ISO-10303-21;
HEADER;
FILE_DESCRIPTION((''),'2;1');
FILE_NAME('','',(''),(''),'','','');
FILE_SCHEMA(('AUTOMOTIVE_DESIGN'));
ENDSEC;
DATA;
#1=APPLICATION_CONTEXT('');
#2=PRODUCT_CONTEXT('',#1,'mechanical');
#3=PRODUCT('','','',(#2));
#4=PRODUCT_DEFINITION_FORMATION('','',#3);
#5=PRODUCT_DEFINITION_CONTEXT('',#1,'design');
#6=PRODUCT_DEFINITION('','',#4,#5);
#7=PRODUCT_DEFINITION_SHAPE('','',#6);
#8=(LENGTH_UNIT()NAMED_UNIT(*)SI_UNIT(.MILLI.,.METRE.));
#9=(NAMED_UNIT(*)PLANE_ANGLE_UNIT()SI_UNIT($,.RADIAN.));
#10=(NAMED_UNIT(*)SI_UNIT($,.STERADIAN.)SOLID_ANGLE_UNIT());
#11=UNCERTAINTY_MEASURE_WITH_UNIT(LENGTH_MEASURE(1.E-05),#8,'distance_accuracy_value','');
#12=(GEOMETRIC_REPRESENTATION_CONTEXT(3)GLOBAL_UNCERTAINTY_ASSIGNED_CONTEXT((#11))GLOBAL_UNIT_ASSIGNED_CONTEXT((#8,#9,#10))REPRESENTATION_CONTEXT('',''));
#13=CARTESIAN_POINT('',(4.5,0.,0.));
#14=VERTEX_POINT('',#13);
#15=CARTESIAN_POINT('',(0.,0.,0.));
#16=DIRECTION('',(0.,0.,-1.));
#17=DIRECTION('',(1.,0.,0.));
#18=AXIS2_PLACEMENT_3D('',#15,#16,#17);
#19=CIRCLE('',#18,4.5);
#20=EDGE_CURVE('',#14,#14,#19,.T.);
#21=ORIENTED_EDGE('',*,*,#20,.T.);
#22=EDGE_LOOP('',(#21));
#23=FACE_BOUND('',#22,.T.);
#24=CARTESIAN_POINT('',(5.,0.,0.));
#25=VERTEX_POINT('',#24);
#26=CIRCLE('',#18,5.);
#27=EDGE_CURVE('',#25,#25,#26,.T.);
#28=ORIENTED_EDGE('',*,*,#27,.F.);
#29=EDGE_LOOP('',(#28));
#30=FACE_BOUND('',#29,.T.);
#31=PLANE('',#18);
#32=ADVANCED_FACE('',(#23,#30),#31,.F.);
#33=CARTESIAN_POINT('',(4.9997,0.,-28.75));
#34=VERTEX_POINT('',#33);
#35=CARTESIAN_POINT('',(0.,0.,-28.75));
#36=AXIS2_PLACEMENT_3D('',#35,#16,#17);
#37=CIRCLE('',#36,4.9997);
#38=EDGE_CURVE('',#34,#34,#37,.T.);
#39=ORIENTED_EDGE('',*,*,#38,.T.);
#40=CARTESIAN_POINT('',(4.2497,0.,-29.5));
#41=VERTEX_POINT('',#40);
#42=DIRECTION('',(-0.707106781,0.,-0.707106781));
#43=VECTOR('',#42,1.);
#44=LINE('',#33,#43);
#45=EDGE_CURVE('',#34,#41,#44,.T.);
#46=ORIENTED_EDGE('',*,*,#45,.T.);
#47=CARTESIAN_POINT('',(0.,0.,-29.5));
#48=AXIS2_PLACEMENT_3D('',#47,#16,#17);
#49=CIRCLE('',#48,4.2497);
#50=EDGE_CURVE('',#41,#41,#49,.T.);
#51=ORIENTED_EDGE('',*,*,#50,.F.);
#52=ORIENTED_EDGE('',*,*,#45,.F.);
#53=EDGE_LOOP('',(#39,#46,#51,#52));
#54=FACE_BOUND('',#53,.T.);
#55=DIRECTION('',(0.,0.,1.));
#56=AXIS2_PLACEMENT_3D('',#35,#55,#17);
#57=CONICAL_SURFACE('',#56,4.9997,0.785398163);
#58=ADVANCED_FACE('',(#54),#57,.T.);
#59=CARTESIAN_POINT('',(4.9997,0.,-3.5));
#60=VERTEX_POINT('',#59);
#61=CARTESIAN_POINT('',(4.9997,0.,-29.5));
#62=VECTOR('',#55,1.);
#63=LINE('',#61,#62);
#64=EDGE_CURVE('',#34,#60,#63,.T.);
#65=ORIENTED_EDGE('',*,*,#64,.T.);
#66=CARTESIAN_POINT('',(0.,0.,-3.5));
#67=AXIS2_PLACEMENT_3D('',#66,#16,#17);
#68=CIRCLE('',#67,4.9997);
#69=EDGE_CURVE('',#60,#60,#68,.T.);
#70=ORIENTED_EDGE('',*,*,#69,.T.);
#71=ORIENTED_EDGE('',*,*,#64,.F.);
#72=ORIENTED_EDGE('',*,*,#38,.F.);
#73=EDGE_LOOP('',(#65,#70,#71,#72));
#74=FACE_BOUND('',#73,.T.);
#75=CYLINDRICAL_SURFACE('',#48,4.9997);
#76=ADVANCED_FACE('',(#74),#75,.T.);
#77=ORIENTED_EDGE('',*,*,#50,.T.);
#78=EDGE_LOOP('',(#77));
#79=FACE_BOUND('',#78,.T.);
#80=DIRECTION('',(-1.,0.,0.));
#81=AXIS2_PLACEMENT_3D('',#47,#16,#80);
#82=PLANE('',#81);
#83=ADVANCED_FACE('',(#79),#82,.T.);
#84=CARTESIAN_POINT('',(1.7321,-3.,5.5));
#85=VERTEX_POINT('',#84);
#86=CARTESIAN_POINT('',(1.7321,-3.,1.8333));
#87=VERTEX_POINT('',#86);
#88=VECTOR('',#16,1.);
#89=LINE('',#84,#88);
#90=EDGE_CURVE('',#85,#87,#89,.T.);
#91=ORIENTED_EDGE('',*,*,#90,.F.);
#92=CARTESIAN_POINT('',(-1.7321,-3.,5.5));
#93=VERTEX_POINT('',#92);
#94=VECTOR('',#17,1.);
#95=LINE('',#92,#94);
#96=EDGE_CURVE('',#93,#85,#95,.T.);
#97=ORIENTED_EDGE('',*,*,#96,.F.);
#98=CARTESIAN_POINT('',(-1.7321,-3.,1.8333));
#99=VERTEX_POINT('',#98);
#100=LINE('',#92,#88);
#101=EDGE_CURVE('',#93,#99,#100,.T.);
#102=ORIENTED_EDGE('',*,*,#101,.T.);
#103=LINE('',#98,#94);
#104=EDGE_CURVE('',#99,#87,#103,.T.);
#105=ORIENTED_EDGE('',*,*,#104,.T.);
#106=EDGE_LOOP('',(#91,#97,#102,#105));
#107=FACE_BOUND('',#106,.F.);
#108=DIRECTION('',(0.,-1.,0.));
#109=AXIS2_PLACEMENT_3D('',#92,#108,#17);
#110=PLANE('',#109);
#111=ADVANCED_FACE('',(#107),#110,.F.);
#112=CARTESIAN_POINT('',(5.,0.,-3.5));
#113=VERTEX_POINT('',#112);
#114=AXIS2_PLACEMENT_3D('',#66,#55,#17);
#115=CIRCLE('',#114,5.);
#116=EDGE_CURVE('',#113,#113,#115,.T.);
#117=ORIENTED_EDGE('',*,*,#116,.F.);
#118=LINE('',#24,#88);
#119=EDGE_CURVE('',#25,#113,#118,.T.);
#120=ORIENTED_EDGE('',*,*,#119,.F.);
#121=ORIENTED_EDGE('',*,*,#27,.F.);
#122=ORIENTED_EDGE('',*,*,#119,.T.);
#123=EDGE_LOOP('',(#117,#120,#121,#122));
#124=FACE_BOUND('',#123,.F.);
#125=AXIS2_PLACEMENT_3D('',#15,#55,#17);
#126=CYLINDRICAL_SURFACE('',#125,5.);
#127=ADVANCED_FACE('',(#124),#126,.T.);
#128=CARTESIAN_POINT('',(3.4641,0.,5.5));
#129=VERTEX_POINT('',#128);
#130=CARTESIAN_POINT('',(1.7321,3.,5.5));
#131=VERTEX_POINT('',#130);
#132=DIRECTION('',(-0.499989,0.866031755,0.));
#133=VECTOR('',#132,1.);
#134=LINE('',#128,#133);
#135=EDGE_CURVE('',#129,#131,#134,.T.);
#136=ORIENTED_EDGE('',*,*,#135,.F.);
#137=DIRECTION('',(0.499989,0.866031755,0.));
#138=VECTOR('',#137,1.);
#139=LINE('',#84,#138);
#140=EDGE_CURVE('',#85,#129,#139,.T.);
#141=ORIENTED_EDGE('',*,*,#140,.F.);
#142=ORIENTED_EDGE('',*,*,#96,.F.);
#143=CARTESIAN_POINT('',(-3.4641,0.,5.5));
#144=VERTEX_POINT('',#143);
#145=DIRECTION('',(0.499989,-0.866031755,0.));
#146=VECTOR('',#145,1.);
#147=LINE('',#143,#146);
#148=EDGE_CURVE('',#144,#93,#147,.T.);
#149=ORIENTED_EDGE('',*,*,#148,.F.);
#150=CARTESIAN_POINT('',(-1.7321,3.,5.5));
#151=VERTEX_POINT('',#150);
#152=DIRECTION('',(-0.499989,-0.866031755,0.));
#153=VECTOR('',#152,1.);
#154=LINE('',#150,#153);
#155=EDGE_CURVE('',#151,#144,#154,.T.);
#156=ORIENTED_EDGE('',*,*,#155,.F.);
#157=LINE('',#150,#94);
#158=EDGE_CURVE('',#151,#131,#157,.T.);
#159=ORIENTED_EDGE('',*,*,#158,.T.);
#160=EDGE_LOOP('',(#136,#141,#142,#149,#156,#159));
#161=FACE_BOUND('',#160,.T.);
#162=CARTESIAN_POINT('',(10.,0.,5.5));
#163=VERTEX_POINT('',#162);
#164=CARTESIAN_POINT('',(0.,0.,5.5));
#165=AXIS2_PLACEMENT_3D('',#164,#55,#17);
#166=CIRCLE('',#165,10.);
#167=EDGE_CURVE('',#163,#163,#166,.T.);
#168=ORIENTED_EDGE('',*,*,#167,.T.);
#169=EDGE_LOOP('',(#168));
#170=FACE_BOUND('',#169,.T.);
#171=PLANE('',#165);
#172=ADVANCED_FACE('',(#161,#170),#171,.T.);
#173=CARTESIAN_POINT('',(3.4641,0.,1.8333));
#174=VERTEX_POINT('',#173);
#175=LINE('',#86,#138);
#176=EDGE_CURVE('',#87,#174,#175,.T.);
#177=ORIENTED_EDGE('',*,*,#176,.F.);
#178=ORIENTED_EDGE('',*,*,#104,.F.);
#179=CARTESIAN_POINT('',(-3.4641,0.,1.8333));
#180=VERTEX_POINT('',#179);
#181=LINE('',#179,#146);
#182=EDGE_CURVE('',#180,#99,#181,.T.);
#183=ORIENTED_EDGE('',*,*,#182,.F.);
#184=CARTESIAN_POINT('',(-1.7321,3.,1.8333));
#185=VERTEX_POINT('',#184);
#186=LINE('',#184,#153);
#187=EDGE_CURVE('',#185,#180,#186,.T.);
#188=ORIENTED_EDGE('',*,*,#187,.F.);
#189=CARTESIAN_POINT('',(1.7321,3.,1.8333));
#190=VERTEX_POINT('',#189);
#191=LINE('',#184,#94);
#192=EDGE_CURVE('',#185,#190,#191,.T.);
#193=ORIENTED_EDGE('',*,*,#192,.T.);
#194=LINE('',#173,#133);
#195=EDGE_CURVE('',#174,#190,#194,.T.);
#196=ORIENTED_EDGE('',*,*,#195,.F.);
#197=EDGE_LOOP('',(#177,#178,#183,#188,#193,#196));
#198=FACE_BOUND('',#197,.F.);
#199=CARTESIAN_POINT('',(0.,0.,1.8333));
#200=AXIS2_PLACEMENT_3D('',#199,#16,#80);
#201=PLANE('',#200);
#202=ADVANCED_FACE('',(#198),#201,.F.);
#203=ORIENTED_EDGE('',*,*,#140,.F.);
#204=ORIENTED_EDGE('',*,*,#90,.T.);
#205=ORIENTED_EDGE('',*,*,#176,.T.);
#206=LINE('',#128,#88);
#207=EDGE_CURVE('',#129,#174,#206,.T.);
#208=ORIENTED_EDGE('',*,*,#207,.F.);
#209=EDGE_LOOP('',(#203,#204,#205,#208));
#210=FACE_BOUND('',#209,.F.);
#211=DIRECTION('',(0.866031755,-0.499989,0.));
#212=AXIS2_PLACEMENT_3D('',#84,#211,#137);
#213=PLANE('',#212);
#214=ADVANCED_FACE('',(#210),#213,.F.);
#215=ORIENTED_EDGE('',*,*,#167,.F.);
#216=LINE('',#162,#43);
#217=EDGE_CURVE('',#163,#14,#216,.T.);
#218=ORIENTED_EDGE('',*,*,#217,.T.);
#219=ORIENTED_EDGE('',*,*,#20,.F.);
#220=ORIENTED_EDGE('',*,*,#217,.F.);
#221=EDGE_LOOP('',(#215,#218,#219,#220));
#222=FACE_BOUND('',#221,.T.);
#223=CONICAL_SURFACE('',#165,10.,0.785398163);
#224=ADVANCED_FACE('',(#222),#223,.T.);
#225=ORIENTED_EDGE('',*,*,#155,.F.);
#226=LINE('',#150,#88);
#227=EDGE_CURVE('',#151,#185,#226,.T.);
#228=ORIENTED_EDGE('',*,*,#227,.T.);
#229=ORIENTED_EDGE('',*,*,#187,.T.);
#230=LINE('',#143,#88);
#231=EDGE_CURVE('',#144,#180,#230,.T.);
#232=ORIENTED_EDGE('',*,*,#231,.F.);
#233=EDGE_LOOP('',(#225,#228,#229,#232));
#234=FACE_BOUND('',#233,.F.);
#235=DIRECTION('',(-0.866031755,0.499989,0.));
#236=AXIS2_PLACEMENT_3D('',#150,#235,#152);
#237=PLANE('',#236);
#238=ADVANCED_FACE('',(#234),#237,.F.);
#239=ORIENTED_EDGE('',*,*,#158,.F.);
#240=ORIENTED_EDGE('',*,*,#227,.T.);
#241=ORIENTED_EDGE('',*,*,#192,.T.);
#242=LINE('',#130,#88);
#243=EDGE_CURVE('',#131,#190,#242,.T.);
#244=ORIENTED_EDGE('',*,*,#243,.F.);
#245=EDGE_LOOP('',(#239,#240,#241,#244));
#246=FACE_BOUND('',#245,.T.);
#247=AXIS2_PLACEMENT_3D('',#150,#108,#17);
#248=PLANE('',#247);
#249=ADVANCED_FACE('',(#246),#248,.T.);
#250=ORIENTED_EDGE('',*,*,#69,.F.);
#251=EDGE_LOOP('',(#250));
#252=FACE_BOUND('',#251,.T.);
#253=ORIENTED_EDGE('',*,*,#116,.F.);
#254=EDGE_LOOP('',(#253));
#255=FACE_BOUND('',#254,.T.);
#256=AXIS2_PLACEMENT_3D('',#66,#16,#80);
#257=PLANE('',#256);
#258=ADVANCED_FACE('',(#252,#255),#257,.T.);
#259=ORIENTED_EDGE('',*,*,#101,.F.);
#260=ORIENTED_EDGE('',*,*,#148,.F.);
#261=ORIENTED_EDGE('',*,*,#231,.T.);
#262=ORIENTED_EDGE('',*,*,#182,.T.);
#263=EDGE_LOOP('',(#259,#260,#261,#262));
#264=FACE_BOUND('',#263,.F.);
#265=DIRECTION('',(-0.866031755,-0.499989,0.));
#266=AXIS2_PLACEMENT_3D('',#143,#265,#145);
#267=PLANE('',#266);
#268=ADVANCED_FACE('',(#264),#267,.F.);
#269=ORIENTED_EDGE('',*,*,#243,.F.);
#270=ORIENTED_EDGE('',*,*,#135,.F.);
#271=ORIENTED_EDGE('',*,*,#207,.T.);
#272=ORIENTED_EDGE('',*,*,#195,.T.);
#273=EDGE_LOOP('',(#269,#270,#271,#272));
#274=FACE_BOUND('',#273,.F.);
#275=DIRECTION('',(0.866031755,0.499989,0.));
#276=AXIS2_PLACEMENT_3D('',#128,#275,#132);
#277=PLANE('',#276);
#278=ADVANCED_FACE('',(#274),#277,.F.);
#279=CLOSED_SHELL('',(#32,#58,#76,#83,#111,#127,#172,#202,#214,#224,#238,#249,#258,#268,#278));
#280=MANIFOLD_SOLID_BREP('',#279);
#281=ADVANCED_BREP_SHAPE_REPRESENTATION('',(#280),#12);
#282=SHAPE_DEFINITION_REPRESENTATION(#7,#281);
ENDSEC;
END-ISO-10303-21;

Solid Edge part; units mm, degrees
sketch "Sketch1" plane through (0, 0, 0) normal (0, 0, 1) x (1, 0, 0)
  circle A0 centre (0, 0) radius 10
  dimension "D1" = 20
extrude "Protrusion1" add sketch "Sketch1" along normal blind 5.5
sketch "Sketch2" plane through (0, 0, 0) normal (0, 0, -1) x (1, 0, 0)
  circle A0 centre (0, 0) radius 5
extrude "Protrusion2" add sketch "Sketch2" along normal blind 29.5
sketch "Sketch3" plane through (0, 0, -29.5) normal (0, 0, -1) x (1, 0, 0)
  circle A0 centre (0, 0) radius 4.9997
extrude "Cutout1" cut sketch "Sketch3" against normal blind 26 flip side to cut
chamfer "Chamfer_1" distance 0.75 angle 45 1 edges at (-4.9997, 0, -29.5)
sketch "Sketch4" plane through (0, 0, 5.5) normal (0, 0, 1) x (1, 0, 0)
  line L0 (-1.7321, 3) -> (1.7321, 3)
  line L1 (3.4641, 0) -> (1.7321, 3)
  line L2 (1.7321, -3) -> (3.4641, 0)
  line L3 (-1.7321, -3) -> (1.7321, -3)
  line L4 (-3.4641, 0) -> (-1.7321, -3)
  line L5 (-1.7321, 3) -> (-3.4641, 0)
  dimension "D1" = 6
extrude "Cutout2" cut sketch "Sketch4" against normal blind 3.6667
sketch "Sketch5" plane through (0, 0, 0) normal (0, -1, 0) x (1, 0, 0)
  line L0 (10, 5.5) -> (4.5, 0)
  line L1 (4.5, 0) -> (10, 0)
  line L2 (10, 0) -> (10, 5.5)
revolve "RevolvedCutout1" cut sketch "Sketch5" angle 360 about axis through (0, 0, 14.0017) along (0, 0, -1)
properties part number "185738" material "Stainless Steel, 304"
